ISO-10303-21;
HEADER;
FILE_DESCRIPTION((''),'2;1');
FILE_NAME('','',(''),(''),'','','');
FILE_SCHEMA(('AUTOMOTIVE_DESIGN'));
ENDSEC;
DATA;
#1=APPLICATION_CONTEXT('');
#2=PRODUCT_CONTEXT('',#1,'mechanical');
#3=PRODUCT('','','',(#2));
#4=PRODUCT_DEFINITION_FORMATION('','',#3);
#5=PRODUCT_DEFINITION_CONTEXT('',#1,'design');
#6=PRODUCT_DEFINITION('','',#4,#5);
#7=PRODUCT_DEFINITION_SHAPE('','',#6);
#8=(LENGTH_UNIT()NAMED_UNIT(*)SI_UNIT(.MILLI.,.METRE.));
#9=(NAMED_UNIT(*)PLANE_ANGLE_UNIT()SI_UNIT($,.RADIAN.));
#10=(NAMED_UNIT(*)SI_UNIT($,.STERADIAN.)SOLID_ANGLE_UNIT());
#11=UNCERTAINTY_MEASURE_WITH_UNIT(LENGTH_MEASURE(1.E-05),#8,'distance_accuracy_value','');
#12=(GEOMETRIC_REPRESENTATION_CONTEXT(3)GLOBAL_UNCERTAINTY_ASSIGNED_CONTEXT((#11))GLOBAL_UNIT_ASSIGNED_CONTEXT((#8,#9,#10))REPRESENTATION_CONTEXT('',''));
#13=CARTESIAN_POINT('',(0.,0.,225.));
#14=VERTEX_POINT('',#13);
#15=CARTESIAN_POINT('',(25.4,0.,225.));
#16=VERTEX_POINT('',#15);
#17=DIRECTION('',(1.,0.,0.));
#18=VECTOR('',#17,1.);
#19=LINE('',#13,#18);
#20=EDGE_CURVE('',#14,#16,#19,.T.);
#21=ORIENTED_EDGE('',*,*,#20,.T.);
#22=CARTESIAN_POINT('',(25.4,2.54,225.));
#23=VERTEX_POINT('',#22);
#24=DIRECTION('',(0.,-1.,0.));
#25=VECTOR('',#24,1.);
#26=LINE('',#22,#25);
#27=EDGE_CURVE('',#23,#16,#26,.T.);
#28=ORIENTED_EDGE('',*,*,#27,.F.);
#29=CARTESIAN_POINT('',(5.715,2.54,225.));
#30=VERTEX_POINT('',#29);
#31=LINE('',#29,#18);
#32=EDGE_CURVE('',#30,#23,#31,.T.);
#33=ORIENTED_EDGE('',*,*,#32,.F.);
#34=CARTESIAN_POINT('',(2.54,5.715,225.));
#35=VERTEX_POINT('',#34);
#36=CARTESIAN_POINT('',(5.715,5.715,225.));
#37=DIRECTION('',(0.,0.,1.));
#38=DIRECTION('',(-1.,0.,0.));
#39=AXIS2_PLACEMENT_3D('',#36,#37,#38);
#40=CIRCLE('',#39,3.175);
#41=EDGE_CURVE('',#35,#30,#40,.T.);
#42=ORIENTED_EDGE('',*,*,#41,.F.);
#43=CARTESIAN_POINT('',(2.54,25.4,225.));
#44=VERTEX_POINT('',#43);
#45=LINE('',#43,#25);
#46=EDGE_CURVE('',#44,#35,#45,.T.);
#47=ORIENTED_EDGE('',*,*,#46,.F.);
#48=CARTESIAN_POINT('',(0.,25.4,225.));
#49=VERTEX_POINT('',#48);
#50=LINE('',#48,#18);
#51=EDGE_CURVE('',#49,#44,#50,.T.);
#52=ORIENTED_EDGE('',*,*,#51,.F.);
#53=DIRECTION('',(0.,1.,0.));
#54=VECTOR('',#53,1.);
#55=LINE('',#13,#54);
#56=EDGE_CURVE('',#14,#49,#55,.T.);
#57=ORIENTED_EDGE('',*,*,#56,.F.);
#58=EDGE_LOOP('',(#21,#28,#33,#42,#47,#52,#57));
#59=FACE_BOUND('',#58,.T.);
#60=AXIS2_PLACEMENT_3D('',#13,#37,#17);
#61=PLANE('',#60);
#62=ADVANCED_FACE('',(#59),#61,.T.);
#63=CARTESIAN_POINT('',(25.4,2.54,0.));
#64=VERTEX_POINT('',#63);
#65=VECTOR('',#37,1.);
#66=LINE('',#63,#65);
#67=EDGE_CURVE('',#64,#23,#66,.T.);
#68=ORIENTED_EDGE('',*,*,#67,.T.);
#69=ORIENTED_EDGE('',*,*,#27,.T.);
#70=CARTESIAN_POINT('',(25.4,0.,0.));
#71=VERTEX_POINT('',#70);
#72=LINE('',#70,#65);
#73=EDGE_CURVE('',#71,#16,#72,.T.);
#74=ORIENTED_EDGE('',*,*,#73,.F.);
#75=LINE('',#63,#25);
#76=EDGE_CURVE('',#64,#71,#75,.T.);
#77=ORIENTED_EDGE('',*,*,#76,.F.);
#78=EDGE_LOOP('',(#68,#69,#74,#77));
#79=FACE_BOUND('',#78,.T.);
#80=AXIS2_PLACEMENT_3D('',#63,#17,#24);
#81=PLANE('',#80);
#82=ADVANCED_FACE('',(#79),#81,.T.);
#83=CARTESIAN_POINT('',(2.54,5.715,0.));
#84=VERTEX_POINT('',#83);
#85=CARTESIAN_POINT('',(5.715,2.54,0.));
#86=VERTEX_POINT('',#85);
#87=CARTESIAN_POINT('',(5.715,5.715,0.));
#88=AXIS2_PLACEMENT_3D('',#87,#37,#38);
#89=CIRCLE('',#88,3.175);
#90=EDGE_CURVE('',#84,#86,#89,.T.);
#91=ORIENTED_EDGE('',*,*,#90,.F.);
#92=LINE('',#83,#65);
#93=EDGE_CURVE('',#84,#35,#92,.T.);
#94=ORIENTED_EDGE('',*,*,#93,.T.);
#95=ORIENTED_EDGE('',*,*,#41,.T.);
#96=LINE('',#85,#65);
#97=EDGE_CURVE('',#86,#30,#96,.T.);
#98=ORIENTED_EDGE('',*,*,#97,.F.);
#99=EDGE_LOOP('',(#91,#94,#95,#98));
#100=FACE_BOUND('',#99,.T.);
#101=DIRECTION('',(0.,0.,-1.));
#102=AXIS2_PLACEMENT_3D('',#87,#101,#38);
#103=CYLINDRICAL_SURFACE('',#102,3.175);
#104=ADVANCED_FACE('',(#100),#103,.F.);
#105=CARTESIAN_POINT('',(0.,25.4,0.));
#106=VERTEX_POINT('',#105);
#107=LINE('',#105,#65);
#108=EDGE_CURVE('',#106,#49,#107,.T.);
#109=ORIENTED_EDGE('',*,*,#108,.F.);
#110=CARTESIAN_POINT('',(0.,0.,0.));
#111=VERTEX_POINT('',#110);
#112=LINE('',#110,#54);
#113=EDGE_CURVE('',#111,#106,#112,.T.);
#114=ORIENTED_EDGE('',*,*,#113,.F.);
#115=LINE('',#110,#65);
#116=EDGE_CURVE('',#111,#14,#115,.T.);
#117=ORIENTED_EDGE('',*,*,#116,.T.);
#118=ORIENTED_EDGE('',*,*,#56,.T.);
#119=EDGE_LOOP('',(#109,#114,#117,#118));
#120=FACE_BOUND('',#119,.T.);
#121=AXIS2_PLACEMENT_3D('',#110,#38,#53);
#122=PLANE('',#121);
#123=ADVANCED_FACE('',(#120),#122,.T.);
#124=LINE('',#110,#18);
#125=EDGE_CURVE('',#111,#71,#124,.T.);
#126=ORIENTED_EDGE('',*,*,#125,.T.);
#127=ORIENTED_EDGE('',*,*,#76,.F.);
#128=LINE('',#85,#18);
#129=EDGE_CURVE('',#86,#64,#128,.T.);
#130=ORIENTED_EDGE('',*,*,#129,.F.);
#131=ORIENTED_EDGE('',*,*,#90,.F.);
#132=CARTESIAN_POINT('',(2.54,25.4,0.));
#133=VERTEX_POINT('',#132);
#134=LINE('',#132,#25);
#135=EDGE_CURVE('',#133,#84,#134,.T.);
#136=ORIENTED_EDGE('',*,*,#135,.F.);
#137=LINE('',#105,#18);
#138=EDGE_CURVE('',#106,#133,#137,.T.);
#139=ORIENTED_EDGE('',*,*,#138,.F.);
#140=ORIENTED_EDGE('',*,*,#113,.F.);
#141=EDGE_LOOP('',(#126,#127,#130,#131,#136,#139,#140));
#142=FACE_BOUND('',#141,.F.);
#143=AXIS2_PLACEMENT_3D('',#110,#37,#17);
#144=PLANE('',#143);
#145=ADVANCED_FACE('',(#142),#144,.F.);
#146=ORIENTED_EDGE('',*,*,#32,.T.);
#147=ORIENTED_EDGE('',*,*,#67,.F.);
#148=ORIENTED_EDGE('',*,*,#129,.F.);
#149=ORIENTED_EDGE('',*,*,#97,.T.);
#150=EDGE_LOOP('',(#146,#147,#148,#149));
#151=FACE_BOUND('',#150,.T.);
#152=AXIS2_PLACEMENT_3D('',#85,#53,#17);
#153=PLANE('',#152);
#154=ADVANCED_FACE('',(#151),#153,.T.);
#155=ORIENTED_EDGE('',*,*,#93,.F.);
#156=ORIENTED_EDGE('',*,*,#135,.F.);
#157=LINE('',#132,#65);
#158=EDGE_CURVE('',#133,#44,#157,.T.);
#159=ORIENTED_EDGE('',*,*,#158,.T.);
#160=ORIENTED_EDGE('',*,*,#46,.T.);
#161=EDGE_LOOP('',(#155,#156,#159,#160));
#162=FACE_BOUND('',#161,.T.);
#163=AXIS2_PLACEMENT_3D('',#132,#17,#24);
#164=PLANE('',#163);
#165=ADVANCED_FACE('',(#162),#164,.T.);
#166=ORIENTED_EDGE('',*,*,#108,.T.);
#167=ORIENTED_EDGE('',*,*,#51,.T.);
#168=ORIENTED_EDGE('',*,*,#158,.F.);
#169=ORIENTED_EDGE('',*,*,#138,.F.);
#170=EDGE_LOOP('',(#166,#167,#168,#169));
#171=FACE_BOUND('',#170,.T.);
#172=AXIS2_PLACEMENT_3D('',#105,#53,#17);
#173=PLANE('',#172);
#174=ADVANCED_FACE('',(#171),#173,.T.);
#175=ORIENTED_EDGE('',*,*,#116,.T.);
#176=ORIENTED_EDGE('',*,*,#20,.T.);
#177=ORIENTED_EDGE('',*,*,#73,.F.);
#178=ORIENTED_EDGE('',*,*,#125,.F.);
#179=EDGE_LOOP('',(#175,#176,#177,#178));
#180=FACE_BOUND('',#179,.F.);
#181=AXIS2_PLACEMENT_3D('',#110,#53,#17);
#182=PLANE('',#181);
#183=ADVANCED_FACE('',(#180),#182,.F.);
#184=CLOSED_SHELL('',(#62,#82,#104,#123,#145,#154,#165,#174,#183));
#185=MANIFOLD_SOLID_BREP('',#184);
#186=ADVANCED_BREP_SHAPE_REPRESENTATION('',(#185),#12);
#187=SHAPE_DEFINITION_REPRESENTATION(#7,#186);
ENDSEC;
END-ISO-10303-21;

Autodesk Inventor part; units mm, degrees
ref_plane "YZ Plane" through (0, 0, 0) normal (1, 0, 0) x (0, 1, 0)
ref_plane "XZ Plane" through (0, 0, 0) normal (0, 1, 0) x (-1, 0, 0)
ref_plane "XY Plane" through (0, 0, 0) normal (0, 0, 1) x (1, 0, 0)
sketch "Sketch1" plane through (0, 0, 0) normal (0, 0, 1) x (1, 0, 0)
  line L0 (0, 0) -> (0, 25.4)
  line L1 (0, 0) -> (25.4, 0)
  line L2 (2.54, 25.4) -> (2.54, 5.715)
  line L3 (5.715, 2.54) -> (25.4, 2.54)
  arc A0 (2.54, 5.715) -> (5.715, 2.54) centre (5.715, 5.715) ccw
  line L4 (0, 25.4) -> (2.54, 25.4)
  line L5 (25.4, 2.54) -> (25.4, 0)
  dimension "d0" = 25.4
  dimension "d1" = 25.4
  dimension "d2" = 2.54
  dimension "d3" = 3.175
extrude "Extrusion1" add sketch "Sketch1" along normal blind 225
equation "\"hubAngleThickness\" = 3"
equation "\"hubAngleWidth1\" = 25.4"
equation "\"hubAngleWidth2\" = 25.4"
properties part number "hubRingJigOuter"
